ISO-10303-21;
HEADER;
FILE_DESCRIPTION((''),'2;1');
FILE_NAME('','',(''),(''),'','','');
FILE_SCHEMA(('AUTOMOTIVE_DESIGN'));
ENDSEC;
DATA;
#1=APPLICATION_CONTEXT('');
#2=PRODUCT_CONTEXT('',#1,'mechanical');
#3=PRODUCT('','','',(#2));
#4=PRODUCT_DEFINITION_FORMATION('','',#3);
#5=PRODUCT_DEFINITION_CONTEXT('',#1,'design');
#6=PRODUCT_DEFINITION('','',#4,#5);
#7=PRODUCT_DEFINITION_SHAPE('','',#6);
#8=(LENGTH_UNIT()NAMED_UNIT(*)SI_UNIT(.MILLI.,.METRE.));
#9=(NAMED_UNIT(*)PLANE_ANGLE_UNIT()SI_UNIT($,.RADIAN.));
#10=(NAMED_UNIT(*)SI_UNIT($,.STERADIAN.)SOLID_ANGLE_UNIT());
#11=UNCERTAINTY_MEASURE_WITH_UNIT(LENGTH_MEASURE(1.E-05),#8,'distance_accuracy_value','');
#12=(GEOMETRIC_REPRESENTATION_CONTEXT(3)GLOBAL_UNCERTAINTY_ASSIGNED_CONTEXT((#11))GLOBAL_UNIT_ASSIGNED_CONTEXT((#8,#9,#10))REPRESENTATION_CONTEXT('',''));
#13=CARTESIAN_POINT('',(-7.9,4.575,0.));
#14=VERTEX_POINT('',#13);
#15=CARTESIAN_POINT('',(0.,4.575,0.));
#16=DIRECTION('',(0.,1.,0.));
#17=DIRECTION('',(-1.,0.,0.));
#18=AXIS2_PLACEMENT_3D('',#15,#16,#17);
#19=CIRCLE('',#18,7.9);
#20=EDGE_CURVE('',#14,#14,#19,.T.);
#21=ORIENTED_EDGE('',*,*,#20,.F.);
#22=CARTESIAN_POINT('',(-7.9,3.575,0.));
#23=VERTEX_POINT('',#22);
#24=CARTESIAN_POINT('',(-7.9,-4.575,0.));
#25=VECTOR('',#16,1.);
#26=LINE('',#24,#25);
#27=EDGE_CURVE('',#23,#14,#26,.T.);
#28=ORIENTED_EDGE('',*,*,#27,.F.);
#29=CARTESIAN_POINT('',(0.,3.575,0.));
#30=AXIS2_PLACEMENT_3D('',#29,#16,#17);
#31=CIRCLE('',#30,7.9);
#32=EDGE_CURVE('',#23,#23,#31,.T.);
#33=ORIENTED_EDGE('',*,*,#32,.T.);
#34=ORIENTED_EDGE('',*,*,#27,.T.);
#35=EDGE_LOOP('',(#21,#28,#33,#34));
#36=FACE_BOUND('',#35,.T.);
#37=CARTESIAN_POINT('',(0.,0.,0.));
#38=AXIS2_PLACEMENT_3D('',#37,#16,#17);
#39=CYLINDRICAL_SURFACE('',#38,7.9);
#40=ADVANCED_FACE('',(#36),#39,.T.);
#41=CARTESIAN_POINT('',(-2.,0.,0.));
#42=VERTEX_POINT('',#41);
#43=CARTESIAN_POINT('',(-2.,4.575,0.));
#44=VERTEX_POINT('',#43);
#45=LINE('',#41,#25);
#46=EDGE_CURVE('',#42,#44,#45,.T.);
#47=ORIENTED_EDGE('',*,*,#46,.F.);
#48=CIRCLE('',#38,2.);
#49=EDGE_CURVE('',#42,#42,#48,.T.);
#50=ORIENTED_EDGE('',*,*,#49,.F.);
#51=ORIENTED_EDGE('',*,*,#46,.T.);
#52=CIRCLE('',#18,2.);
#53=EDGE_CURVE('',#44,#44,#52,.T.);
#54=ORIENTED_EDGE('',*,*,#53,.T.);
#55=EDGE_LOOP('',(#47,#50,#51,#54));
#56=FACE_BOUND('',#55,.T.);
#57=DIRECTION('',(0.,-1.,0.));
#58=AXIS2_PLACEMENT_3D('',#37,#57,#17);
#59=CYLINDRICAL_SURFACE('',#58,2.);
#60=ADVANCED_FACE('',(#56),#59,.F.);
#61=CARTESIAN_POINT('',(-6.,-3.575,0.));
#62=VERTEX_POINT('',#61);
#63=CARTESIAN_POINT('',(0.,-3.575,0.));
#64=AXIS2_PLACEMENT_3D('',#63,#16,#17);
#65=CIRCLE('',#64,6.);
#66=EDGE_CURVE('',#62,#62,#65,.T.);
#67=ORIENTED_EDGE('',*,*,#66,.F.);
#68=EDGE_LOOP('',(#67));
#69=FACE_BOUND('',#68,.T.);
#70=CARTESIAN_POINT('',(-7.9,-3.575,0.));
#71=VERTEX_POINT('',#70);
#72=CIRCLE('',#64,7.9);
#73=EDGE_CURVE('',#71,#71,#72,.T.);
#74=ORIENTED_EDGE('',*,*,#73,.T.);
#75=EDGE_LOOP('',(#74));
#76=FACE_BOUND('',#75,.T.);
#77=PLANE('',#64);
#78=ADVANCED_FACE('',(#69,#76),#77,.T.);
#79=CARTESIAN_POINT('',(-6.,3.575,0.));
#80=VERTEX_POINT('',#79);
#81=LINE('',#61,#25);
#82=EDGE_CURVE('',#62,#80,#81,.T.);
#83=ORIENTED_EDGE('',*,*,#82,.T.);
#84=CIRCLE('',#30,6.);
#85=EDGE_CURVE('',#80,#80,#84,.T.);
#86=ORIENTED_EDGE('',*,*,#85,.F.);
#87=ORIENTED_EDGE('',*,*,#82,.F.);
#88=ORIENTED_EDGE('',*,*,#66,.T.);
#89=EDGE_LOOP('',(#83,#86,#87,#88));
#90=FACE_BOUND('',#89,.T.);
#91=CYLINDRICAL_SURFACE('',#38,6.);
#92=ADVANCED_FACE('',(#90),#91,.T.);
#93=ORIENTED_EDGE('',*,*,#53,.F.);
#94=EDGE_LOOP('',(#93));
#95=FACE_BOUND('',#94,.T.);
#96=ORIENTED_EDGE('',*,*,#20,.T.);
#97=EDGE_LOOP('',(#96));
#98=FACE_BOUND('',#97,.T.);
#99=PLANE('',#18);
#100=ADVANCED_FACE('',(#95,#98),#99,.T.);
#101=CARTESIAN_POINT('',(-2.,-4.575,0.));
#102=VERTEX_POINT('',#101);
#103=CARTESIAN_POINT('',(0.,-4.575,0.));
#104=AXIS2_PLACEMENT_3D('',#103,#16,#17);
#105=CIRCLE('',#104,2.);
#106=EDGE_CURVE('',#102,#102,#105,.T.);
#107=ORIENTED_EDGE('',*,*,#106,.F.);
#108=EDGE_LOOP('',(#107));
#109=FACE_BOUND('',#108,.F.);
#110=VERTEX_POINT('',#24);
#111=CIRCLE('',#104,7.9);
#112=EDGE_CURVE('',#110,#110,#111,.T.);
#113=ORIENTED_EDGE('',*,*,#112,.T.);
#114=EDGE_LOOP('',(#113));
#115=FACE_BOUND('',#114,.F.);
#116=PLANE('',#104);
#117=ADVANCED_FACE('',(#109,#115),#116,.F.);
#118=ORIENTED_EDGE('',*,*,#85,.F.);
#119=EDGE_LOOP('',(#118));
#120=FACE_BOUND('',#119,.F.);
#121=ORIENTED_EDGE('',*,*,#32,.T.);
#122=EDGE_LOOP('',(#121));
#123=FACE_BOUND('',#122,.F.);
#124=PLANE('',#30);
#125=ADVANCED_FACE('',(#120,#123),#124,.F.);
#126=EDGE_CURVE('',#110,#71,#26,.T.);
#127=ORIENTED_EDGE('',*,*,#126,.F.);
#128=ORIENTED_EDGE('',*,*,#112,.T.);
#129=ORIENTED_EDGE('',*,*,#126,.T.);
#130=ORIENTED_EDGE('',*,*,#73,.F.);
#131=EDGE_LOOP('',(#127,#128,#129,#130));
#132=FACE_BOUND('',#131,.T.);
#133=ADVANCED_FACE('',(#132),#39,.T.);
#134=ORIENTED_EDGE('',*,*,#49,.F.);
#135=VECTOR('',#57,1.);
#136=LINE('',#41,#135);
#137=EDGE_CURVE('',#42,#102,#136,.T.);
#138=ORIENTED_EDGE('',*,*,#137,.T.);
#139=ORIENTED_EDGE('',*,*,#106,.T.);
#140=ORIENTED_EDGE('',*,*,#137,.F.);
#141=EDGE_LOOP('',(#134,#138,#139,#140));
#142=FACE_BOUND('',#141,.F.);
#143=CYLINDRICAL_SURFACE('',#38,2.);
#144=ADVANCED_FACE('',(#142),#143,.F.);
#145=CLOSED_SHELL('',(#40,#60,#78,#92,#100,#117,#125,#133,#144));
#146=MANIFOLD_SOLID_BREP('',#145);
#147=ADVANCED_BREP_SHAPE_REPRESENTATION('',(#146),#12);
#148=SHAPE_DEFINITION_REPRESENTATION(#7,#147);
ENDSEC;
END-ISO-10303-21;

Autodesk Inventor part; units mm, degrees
ref_plane "YZ Plane" through (0, 0, 0) normal (1, 0, 0) x (0, 1, 0)
ref_plane "XZ Plane" through (0, 0, 0) normal (0, 1, 0) x (-1, 0, 0)
ref_plane "XY Plane" through (0, 0, 0) normal (0, 0, 1) x (1, 0, 0)
sketch "Эскиз1" plane through (0, 0, 0) normal (0, 1, 0) x (-1, 0, 0)
  circle A0 centre (0, 0) radius 7.9
  circle A1 centre (0, 0) radius 2
  circle A2 centre (0, 0) radius 6
  dimension "d0" = 15.8
  dimension "d1" = 4
  dimension "d4" = 12
extrude "Выдавливание1" add sketch "Эскиз1" along normal mid plane 9.15 contours A0 | A2
extrude "Выдавливание2" cut sketch "Эскиз1" along normal mid plane 7.15 contours A0
properties part number "Pulley"
